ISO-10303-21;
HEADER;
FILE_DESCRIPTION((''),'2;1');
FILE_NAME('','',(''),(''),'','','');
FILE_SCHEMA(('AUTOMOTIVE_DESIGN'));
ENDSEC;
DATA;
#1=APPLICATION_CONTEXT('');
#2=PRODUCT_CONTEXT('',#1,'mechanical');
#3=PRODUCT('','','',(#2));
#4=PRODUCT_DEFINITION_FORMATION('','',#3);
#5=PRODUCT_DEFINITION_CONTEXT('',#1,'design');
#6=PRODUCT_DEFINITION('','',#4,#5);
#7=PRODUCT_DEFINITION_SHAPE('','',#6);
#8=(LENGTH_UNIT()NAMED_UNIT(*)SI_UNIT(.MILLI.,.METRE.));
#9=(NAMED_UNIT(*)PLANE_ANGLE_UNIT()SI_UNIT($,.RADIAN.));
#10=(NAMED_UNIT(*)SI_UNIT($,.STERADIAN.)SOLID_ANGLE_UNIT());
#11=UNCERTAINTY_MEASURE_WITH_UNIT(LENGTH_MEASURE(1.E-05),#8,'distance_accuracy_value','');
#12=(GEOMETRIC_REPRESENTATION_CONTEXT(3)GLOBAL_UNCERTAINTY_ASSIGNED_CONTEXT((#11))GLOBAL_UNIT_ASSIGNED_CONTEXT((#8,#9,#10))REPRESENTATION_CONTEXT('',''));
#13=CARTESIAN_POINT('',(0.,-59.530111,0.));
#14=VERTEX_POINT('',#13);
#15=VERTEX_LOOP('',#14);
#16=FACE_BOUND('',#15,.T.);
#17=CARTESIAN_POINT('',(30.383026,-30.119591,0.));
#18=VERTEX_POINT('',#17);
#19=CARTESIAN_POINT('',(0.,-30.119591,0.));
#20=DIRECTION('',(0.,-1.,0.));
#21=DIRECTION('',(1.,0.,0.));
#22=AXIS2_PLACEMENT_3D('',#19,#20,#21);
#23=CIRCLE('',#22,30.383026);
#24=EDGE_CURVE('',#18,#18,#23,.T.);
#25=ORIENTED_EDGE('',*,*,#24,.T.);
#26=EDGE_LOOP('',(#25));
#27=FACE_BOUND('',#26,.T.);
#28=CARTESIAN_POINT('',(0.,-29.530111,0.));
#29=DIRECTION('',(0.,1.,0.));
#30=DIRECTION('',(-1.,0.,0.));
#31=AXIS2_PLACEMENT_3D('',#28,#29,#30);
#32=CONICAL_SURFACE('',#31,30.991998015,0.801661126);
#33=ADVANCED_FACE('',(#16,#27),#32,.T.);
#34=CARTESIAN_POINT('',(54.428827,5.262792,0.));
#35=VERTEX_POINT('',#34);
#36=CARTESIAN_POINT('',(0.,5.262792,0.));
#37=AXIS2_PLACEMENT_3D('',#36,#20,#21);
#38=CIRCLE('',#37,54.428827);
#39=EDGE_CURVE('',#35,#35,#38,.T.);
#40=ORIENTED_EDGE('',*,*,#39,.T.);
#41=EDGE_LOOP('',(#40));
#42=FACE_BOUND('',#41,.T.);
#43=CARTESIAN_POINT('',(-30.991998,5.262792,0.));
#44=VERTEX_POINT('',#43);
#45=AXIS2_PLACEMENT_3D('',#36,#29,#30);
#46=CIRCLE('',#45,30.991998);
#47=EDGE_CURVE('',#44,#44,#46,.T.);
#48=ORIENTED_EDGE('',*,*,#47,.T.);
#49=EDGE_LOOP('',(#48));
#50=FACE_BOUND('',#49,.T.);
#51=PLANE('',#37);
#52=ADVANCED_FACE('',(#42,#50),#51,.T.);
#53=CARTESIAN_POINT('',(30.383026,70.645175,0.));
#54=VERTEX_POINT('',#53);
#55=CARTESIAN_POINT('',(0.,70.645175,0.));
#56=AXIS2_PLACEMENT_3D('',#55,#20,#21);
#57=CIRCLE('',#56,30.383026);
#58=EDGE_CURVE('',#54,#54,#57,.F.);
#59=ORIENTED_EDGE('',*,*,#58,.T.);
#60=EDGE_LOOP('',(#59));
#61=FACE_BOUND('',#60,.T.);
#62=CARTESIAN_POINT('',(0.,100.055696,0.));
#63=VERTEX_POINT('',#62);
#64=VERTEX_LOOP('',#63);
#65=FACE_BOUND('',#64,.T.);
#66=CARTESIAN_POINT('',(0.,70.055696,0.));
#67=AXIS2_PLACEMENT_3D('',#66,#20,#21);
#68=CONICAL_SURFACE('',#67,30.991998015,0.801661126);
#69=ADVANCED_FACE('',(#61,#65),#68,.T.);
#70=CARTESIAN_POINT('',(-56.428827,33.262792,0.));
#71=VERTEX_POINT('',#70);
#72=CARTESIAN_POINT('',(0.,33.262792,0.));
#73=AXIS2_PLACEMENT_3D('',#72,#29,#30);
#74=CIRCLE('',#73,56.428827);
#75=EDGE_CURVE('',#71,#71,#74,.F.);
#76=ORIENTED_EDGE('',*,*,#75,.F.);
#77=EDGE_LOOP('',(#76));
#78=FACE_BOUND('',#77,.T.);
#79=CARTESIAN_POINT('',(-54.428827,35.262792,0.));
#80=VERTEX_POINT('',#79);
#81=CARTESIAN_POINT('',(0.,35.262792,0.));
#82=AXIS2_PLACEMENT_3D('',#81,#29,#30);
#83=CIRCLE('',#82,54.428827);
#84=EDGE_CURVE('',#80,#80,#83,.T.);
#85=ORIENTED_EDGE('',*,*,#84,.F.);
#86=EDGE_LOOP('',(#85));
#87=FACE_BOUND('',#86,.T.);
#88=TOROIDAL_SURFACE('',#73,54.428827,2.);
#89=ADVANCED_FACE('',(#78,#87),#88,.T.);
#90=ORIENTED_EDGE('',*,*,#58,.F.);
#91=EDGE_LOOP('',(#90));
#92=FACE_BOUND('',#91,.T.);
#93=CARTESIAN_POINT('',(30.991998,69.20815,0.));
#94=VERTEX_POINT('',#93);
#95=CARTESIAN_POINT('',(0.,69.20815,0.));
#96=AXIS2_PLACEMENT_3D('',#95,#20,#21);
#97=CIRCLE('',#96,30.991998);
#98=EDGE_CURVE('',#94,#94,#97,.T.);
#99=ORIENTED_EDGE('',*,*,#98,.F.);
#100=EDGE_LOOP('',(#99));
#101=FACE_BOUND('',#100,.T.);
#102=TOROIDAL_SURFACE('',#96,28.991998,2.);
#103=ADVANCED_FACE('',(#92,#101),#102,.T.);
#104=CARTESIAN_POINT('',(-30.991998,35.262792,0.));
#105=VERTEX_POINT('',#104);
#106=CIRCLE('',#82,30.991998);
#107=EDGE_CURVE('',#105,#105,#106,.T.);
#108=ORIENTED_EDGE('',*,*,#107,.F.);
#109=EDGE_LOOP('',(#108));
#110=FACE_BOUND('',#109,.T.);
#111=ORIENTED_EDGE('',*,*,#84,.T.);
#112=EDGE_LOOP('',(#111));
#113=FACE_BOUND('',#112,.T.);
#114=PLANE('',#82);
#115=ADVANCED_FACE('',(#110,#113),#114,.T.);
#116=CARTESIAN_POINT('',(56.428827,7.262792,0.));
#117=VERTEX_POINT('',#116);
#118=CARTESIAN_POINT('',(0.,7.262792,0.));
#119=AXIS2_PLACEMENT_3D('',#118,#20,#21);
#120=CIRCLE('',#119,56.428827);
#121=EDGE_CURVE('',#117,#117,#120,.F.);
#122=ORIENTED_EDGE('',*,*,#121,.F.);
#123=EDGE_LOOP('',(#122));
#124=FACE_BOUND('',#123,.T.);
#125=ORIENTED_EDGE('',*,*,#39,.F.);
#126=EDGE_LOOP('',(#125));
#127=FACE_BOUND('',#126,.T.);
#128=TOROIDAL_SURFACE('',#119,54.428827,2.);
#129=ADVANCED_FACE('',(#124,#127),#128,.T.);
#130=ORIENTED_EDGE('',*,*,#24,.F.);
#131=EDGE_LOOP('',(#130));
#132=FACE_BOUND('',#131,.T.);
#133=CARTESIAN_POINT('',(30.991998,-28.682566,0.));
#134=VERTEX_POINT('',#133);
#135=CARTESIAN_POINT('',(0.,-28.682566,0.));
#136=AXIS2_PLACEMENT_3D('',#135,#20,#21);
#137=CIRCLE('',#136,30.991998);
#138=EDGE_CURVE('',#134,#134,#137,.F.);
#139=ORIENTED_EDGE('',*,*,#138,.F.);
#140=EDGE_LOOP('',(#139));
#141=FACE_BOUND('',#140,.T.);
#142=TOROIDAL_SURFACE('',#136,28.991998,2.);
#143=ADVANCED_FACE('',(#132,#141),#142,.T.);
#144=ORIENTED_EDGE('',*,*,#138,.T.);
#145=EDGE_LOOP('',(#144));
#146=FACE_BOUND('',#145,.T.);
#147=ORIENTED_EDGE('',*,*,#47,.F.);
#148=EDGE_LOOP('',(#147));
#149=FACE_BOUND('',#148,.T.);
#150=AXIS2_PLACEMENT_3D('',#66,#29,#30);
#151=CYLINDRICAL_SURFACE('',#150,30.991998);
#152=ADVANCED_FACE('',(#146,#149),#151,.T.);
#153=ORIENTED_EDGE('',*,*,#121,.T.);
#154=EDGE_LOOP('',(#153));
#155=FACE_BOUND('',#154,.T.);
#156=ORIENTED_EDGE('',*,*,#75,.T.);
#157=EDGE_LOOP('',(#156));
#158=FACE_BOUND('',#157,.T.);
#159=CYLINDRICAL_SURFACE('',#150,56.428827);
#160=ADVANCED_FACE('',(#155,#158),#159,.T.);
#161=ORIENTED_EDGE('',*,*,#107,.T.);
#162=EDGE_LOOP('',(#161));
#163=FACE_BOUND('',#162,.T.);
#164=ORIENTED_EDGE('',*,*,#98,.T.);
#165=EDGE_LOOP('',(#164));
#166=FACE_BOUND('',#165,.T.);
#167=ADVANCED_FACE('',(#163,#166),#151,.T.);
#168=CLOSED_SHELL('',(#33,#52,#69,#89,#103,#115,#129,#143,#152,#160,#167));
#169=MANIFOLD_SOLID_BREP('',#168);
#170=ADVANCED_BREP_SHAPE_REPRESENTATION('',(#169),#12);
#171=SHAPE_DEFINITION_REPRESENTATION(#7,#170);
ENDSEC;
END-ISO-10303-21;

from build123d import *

# Parameters (mm, degrees)
FILLET_1_R = 2
FILLET_2_R = 2
FILLET_3_R = 2
FILLET_4_R = 2


with BuildPart() as part:
    # 草图1 → 旋转1 (revolve)
    with BuildSketch(Plane.XY):
        Polygon((0, 70.055695547), (0, -29.530111316), (-30.991998015, -29.530111316), (-30.991998015, 5.262792116), (-56.428826574, 5.262792116), (-56.428826574, 35.262792116), (-30.991998015, 35.262792116), (-30.991998015, 70.055695547), align=None)
        Polygon((0, 100.055695547), (0, 70.055695547), (-30.991998015, 70.055695547), align=None)
        Polygon((0, -29.530111316), (0, -59.530111316), (-30.991998015, -29.530111316), align=None)
    revolve(axis=Axis((0, 70.055695547, 0), (0, -1, 0)))

    # 圆角1
    fillet_1_edges = [part.edges().sort_by_distance(p)[0] for p in [
        (56.428826574, 35.262792116, 0),
    ]]
    fillet(fillet_1_edges, radius=FILLET_1_R)

    # 圆角2
    fillet_2_edges = [part.edges().sort_by_distance(p)[0] for p in [
        (56.428826574, 5.262792116, 0),
    ]]
    fillet(fillet_2_edges, radius=FILLET_2_R)

    # 圆角3
    fillet_3_edges = [part.edges().sort_by_distance(p)[0] for p in [
        (30.991998015, 70.055695547, 0),
    ]]
    fillet(fillet_3_edges, radius=FILLET_3_R)

    # 圆角4
    fillet_4_edges = [part.edges().sort_by_distance(p)[0] for p in [
        (30.991998015, -29.530111316, 0),
    ]]
    fillet(fillet_4_edges, radius=FILLET_4_R)


solid = part.part
